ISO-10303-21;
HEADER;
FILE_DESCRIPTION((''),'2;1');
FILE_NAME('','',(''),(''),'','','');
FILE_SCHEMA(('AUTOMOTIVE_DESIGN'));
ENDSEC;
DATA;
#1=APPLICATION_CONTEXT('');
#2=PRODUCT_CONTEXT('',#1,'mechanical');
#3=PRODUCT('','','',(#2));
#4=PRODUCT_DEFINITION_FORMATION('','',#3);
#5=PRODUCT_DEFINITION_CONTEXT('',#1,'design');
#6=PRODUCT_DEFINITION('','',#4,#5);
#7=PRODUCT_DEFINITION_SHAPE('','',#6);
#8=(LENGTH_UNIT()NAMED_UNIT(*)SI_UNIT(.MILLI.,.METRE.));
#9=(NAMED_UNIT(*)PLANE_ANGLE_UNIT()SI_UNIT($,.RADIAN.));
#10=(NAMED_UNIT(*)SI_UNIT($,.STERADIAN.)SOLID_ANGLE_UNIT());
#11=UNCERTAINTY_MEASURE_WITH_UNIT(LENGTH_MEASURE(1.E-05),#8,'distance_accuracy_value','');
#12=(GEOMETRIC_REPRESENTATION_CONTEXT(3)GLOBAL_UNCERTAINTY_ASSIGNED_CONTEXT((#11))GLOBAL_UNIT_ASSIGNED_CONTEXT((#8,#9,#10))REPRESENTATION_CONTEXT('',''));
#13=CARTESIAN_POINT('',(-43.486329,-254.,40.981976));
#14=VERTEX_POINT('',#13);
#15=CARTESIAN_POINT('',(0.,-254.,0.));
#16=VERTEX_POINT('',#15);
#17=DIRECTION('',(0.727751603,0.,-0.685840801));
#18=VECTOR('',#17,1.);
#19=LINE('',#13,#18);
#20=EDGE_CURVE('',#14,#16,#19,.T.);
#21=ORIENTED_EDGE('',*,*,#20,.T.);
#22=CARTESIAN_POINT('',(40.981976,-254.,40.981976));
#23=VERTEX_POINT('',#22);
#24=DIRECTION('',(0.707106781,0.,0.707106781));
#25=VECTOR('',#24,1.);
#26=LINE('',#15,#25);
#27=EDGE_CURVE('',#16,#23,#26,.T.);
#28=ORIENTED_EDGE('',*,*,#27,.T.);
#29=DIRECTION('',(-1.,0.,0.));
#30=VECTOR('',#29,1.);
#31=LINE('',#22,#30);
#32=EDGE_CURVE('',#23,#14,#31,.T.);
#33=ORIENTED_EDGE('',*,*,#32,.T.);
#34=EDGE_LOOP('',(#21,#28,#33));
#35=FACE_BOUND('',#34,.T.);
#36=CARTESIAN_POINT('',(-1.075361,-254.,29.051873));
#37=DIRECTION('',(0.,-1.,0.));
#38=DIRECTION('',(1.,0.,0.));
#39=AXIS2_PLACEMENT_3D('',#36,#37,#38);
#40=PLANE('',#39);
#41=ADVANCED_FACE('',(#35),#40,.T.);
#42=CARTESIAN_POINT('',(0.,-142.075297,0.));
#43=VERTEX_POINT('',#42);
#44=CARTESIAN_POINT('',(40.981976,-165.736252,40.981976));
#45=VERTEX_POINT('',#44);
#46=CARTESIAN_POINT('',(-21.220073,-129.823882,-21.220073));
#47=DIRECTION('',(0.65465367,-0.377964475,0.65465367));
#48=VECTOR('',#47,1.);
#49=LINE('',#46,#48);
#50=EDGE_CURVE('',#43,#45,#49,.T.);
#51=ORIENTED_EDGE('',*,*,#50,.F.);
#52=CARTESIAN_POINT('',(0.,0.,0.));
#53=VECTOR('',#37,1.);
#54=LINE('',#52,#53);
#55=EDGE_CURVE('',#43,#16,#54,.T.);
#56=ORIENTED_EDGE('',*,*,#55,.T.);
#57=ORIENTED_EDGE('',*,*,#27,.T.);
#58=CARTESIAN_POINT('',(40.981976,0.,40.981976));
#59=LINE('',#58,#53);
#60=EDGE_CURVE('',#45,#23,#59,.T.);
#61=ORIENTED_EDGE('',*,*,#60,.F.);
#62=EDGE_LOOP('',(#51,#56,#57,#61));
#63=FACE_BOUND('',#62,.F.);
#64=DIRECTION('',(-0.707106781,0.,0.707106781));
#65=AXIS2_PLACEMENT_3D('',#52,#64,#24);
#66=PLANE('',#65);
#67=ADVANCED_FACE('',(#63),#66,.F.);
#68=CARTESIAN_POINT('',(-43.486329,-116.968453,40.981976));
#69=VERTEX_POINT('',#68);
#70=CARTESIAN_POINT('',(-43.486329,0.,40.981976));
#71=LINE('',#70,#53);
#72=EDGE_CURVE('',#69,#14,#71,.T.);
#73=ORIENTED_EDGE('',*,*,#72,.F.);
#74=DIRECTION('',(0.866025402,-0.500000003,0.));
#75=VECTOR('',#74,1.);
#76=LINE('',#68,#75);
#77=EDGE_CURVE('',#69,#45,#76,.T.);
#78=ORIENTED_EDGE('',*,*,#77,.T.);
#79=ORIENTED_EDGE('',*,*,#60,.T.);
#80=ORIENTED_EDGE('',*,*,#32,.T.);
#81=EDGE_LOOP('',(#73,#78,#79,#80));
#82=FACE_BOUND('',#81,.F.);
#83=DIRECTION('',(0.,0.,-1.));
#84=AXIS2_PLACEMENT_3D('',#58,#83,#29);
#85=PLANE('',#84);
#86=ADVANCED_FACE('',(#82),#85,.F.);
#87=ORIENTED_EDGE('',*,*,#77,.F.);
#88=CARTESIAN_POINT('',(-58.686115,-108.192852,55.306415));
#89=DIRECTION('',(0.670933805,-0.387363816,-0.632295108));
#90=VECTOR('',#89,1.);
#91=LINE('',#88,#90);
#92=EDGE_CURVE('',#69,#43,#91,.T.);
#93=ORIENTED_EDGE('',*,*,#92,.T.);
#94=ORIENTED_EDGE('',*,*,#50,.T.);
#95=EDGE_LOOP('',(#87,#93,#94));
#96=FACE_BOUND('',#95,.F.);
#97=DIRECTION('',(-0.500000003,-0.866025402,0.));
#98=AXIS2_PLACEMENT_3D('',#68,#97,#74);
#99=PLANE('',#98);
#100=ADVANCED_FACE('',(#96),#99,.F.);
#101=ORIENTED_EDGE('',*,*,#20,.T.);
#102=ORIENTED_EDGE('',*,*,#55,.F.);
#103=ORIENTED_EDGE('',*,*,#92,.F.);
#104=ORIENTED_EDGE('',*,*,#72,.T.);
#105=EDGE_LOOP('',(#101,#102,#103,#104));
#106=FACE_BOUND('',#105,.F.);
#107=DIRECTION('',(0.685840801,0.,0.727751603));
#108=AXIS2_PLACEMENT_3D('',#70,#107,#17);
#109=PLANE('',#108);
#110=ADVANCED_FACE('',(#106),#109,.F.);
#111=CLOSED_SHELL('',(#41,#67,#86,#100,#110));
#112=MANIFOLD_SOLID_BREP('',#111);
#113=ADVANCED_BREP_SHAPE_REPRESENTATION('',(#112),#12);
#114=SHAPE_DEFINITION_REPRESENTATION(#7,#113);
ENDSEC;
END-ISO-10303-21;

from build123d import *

# Parameters (mm, degrees)
F1_DEPTH = 254
F3_DEPTH = 40.982976


with BuildPart() as f1:
    # F0 (on Front) → F1 (new body)
    with BuildSketch(Plane.XZ):
        Polygon((-43.486329, 40.981976), (0, 0), (40.981976, 40.981976), align=None)
    extrude(amount=F1_DEPTH)

    # F2 (on face) → F3 (cut, through all)
    with BuildSketch(Plane.XY.offset(40.981976)):
        Polygon((-43.486329, 0), (-43.486329, -116.968453), (40.981976, -165.736252), (40.981976, 0), align=None)
    extrude(amount=-F3_DEPTH, mode=Mode.SUBTRACT)


solid = f1.part
